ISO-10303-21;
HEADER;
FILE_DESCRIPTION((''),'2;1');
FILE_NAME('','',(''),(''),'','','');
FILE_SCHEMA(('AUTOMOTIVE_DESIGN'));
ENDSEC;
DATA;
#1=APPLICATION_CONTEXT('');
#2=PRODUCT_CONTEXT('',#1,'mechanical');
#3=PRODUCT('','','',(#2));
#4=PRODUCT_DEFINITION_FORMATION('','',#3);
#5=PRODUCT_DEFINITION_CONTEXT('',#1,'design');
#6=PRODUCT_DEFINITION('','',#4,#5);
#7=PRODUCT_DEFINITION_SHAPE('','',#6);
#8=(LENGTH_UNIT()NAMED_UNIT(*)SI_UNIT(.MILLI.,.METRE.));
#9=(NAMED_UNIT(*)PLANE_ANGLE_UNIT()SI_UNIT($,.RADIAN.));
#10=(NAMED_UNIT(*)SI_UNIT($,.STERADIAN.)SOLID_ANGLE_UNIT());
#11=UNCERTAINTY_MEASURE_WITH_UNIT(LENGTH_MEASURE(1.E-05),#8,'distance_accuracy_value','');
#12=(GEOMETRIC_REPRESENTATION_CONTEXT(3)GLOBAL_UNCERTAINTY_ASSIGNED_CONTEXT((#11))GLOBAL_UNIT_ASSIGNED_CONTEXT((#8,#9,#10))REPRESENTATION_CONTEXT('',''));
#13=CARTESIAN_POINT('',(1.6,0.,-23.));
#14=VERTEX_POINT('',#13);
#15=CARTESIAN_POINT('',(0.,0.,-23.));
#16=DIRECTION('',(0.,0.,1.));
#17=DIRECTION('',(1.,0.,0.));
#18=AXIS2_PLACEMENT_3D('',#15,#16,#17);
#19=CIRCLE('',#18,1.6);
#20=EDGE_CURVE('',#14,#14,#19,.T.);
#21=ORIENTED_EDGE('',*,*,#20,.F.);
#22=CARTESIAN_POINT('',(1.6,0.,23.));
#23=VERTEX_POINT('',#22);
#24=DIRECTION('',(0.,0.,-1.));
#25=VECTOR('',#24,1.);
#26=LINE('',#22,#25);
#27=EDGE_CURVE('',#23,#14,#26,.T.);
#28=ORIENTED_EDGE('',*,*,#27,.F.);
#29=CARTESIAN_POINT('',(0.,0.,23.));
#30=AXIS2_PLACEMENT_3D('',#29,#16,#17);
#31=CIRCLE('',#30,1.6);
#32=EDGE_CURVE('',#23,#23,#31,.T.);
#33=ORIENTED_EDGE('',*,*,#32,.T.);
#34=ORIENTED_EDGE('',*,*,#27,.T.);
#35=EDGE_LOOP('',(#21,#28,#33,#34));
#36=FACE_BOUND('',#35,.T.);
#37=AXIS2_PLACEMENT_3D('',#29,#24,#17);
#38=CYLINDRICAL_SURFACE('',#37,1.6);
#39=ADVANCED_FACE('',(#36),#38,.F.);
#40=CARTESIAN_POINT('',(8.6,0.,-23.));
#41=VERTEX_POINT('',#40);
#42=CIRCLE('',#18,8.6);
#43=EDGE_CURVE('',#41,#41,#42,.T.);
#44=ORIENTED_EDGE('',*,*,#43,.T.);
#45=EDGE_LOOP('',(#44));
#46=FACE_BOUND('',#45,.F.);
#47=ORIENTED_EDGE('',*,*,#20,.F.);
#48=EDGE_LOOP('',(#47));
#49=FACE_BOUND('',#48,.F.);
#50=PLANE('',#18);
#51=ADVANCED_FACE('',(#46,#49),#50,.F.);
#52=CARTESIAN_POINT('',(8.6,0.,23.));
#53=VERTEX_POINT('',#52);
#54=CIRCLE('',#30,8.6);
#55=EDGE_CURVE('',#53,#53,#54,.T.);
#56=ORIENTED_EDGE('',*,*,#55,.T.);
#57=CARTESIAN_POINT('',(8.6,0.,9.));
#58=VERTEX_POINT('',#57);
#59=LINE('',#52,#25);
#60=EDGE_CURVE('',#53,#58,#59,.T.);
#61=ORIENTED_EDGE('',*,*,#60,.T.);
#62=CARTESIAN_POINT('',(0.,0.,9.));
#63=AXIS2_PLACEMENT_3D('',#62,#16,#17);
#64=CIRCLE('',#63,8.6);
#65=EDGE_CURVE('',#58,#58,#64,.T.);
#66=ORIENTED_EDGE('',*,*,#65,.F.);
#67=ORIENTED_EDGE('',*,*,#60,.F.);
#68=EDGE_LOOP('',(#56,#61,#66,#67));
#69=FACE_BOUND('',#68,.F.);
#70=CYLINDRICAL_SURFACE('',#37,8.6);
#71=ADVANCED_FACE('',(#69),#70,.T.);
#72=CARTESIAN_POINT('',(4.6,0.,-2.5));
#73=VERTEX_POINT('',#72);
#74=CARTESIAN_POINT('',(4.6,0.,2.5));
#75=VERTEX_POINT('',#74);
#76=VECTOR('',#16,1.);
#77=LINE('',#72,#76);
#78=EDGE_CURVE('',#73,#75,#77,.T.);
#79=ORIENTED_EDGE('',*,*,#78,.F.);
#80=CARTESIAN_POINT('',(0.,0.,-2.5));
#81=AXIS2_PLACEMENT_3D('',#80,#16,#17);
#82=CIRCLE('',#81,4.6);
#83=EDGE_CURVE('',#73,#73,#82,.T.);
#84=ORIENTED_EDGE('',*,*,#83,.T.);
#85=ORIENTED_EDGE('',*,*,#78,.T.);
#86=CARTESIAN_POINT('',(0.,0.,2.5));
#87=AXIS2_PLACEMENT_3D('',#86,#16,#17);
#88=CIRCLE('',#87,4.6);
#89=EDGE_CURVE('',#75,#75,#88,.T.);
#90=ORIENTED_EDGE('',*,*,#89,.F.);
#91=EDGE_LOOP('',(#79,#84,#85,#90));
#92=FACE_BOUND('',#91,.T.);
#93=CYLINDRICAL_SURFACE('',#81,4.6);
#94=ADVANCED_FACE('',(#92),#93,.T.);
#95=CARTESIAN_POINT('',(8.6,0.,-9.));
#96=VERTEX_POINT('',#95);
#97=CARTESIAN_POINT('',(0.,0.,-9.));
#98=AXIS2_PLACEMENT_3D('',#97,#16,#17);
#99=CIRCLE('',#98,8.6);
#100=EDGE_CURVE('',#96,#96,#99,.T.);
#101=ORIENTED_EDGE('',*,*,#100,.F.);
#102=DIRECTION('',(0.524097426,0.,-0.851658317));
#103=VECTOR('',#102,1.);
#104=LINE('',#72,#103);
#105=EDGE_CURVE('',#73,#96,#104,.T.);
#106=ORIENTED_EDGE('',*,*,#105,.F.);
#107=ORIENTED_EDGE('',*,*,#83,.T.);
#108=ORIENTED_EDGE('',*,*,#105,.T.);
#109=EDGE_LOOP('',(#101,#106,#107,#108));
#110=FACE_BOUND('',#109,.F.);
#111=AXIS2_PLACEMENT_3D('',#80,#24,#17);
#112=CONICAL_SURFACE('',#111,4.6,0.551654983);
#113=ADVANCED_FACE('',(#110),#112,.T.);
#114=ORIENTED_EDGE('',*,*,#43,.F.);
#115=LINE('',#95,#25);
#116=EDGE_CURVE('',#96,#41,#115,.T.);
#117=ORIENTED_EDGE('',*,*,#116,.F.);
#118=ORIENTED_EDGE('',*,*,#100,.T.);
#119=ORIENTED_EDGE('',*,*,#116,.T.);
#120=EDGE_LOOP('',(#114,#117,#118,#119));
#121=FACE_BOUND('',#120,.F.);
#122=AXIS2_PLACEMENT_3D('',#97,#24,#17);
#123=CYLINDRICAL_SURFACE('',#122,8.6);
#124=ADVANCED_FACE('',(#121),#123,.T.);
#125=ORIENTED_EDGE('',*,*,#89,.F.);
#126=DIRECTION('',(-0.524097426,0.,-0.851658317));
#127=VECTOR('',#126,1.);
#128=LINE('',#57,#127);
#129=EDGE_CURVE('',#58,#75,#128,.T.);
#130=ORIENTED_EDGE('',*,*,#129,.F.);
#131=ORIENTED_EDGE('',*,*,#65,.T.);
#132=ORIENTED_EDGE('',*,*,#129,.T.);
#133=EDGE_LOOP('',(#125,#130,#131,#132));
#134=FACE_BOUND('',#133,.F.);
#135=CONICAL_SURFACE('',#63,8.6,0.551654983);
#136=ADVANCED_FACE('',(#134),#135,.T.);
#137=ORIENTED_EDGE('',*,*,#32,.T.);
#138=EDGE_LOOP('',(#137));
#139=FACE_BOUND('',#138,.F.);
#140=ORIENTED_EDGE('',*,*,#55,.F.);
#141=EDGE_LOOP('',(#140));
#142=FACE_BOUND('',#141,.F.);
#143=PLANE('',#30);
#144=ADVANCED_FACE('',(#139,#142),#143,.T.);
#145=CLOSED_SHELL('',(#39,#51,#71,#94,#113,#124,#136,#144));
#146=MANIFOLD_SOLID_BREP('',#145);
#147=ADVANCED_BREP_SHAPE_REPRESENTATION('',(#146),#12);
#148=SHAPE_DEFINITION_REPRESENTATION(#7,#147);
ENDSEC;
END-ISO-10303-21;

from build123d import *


with BuildPart() as part:
    # Sketch → Revolution (revolve)
    with BuildSketch(Plane.XZ):
        Polygon((1.6, 0), (1.6, 23), (8.6, 23), (8.6, 9), (4.6, 2.5), (4.6, 0), (4.6, -2.5), (8.6, -9), (8.6, -23), (1.6, -23), align=None)
    revolve(axis=Axis((0, 0, 0), (0, 0, 1)))


solid = part.part
